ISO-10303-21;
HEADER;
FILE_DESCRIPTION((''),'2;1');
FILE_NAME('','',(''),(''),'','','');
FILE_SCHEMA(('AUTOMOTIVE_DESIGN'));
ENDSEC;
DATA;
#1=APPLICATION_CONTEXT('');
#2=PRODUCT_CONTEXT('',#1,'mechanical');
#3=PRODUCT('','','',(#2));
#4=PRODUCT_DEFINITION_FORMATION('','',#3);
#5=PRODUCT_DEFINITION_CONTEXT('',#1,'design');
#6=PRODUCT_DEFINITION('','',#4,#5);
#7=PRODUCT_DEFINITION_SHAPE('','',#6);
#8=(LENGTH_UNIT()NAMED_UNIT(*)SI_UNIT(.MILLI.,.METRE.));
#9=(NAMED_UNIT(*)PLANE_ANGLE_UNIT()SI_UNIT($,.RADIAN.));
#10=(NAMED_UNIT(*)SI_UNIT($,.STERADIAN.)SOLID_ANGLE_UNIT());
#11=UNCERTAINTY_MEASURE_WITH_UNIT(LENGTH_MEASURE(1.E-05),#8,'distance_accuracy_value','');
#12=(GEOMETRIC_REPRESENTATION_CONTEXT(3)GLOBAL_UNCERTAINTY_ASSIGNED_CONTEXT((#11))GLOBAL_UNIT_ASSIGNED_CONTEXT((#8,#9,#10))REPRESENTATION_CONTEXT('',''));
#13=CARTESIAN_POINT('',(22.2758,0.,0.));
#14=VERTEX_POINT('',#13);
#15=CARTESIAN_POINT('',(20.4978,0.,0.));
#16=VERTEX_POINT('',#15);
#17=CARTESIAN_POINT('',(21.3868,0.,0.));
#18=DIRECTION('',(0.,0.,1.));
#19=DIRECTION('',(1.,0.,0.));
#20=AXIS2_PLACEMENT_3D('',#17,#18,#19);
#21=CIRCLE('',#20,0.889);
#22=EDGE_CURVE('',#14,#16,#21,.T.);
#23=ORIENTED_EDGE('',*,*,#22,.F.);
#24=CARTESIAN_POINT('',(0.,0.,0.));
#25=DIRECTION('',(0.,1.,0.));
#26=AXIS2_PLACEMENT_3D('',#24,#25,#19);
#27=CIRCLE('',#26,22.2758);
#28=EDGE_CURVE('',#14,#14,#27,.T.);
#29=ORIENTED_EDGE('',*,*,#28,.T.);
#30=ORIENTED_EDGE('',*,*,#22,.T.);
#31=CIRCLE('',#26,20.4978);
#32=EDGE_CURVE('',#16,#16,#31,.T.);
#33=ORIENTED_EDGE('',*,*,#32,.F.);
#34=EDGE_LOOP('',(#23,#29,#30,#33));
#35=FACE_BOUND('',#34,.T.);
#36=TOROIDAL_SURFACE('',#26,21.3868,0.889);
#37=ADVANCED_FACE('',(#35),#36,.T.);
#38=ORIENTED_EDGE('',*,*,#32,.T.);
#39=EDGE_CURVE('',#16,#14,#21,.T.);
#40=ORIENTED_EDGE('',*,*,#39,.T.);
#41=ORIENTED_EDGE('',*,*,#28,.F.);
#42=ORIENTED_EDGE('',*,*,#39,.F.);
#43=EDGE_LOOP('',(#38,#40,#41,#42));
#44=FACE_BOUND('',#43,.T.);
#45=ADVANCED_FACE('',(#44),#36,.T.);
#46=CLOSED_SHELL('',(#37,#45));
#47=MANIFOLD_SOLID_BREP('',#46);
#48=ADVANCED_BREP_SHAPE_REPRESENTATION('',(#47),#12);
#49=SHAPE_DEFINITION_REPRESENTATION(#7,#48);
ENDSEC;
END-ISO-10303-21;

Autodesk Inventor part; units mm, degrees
ref_plane "YZ Plane" through (0, 0, 0) normal (1, 0, 0) x (0, 1, 0)
ref_plane "XZ Plane" through (0, 0, 0) normal (0, 1, 0) x (-1, 0, 0)
ref_plane "XY Plane" through (0, 0, 0) normal (0, 0, 1) x (1, 0, 0)
sketch "Sketch1" plane through (0, 0, 0) normal (0, 0, 1) x (1, 0, 0)
  circle A0 centre (21.3868, 0) radius 0.889
  line L0 (20.4978, 5.952) -> (20.4978, -5.6627) construction
  line L1 (-4.4552, 0) -> (26.731, 0) projected
  line L2 (0, -7.9856) -> (0, 8.2749) projected
  point P0 (0, 0)
  dimension "d0" = 1.778
  dimension "d1" = 20.4978
revolve "Revolution1" add sketch "Sketch1" angle 360 about axis through (0, -10, 0) along (0, 1, 0)
properties part number "2-038" material "Rubber"
